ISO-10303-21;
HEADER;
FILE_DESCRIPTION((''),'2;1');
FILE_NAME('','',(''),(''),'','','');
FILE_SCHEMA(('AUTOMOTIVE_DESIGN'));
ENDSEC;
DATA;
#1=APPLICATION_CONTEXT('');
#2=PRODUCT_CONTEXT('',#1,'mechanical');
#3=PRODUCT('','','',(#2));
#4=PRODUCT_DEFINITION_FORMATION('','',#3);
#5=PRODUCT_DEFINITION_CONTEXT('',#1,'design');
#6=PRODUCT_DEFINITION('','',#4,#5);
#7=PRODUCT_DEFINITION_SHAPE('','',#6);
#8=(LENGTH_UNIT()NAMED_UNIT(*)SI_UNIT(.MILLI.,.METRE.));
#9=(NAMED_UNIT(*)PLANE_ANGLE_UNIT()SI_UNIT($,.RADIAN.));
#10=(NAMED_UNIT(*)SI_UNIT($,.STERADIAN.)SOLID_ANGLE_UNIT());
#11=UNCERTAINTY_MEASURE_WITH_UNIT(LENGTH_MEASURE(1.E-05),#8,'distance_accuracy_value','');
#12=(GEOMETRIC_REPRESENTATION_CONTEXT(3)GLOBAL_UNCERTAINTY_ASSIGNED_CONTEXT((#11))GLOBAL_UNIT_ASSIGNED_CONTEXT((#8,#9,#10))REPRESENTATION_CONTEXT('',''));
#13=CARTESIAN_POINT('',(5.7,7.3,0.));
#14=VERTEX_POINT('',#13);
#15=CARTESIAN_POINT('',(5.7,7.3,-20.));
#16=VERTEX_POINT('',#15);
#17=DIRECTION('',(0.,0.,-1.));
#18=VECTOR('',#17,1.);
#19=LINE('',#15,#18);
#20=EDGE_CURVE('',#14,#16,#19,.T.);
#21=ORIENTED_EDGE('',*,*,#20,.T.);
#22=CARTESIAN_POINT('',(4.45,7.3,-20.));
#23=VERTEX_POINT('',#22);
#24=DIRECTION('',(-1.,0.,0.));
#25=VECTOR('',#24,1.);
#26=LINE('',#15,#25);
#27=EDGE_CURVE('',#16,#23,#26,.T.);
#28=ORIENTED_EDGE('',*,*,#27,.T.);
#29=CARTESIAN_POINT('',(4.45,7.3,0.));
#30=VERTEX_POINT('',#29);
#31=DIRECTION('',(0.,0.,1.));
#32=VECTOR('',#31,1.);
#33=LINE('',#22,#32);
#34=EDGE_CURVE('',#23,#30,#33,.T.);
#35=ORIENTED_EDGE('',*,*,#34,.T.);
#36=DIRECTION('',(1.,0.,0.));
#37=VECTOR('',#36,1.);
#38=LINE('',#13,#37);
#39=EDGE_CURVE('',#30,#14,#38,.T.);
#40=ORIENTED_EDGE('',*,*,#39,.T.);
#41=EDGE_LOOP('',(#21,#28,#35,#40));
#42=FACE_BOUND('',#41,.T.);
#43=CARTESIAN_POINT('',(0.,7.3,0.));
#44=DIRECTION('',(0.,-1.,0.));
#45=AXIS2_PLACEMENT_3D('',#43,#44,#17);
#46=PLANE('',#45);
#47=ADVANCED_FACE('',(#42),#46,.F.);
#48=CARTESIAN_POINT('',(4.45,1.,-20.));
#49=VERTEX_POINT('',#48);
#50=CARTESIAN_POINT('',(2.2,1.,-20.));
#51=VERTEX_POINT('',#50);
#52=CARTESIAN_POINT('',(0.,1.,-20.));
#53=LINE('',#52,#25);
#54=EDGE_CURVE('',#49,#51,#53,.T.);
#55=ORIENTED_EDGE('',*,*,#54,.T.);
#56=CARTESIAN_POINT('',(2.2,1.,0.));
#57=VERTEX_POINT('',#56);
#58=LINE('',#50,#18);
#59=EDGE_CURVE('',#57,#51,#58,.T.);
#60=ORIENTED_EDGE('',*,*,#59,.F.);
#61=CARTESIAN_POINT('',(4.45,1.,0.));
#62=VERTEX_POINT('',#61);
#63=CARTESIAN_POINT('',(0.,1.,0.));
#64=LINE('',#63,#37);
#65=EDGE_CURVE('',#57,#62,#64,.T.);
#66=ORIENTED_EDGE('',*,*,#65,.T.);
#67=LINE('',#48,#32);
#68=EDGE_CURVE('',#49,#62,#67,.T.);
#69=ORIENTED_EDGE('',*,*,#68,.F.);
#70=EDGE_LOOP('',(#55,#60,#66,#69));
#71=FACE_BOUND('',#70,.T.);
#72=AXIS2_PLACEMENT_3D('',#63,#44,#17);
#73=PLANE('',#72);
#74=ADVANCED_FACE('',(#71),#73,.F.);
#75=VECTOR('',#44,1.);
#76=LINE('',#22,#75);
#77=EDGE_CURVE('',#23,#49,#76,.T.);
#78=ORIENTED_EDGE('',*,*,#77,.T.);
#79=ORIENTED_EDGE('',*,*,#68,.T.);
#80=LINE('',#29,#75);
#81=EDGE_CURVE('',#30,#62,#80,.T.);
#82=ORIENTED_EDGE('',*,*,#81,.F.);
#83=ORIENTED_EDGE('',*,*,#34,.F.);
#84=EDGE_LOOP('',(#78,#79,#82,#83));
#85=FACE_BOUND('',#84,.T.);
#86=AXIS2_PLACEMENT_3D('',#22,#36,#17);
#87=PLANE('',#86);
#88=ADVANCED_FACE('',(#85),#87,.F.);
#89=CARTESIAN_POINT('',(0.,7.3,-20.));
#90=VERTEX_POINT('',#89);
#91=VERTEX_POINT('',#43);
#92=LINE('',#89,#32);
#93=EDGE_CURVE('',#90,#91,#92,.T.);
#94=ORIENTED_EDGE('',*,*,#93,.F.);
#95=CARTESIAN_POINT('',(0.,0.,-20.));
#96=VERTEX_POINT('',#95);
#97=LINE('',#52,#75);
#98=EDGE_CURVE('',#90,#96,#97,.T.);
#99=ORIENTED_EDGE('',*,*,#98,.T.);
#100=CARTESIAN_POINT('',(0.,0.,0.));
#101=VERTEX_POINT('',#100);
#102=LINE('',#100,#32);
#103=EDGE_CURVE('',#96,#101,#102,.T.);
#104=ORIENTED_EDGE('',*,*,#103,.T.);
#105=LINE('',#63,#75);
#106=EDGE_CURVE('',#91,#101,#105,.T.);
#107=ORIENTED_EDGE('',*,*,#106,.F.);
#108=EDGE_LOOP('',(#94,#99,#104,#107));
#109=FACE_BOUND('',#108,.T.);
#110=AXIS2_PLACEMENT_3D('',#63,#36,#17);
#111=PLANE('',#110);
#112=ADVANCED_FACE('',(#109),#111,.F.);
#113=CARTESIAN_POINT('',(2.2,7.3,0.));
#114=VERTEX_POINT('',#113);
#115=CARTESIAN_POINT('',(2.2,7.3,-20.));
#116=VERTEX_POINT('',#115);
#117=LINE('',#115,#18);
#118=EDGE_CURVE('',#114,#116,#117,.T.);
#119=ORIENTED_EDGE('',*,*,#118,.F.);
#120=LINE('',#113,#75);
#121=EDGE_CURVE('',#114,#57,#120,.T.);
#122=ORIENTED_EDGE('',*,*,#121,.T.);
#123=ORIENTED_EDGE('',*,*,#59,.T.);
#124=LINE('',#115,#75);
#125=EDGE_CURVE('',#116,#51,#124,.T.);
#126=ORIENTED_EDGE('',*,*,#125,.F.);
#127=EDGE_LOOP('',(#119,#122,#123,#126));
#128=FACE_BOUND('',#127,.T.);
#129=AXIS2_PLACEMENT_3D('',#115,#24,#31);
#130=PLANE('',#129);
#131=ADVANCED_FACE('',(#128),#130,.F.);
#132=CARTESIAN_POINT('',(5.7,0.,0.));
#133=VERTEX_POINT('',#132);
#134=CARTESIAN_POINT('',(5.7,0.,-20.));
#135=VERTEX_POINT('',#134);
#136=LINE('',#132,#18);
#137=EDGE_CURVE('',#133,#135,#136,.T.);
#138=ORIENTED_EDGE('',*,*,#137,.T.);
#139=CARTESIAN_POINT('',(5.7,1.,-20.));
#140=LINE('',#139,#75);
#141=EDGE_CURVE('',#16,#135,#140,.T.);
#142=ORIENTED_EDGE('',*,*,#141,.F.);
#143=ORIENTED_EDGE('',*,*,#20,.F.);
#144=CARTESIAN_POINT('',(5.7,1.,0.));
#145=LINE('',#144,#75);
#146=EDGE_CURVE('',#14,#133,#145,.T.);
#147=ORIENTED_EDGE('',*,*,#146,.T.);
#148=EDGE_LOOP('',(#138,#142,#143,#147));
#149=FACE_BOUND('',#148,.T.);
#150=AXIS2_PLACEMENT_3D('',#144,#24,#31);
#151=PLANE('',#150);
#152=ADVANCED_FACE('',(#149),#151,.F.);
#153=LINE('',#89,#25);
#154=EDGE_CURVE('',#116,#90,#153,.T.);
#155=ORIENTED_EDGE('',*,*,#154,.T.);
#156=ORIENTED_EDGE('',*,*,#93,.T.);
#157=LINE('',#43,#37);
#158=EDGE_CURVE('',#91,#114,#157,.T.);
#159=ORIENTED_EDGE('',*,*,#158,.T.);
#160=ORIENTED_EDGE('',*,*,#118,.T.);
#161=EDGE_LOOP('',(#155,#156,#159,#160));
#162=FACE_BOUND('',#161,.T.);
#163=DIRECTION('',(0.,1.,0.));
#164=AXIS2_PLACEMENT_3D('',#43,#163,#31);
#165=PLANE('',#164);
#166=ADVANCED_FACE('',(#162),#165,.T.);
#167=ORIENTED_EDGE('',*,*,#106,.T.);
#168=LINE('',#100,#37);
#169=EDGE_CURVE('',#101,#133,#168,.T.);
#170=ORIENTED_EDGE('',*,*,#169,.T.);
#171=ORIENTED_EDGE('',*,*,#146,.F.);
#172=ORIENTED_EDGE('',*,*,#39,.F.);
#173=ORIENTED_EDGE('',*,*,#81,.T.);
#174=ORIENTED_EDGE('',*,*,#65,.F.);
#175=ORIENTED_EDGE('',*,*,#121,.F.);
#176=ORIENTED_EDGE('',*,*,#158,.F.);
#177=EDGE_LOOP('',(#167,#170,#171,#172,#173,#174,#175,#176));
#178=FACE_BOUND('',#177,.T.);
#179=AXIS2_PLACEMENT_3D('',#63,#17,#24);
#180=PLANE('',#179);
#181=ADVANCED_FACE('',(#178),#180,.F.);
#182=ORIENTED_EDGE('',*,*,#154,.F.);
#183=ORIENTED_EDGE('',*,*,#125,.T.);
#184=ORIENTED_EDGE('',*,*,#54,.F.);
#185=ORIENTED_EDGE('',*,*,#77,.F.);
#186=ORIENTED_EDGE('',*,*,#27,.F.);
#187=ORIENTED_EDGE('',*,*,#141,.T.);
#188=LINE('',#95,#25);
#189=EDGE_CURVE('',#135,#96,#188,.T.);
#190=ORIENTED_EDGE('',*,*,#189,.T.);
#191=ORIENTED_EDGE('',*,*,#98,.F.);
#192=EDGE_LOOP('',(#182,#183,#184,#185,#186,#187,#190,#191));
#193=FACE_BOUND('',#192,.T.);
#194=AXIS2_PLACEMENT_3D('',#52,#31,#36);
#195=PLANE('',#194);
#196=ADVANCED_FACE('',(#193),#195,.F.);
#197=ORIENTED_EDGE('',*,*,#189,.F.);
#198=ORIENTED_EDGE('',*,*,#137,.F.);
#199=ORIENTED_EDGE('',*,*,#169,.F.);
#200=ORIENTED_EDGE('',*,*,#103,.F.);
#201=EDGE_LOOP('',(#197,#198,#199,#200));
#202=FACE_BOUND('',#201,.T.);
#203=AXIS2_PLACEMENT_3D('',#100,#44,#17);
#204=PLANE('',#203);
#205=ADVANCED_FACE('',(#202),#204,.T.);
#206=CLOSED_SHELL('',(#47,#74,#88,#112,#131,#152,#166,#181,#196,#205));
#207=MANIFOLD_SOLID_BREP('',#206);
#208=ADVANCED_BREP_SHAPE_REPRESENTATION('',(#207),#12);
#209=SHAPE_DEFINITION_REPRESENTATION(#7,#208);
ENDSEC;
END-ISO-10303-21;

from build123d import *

# Parameters (mm, degrees)
SKETCH1_W           = 5.7
SKETCH1_H           = 20
BOSS_EXTRUDE1_DEPTH = 1
SKETCH2_W           = 2.2
SKETCH2_H           = 20
SKETCH2_W_2         = 1.25
BOSS_EXTRUDE2_DEPTH = 6.3


with BuildPart() as part:
    # Sketch1 → Boss-Extrude1 (new body)
    with BuildSketch(Plane(origin=(0, 0, 0), x_dir=(1, 0, 0), z_dir=(0, 1, 0))):
        with Locations((2.85, 10)):
            Rectangle(SKETCH1_W, SKETCH1_H)
    extrude(amount=BOSS_EXTRUDE1_DEPTH)

    # Sketch2 → Boss-Extrude2 (add)
    with BuildSketch(Plane(origin=(0, 1, 0), x_dir=(1, 0, 0), z_dir=(0, 1, 0))):
        with Locations((1.1, 10)):
            Rectangle(SKETCH2_W, SKETCH2_H)
        with Locations((5.075, 10)):
            Rectangle(SKETCH2_W_2, SKETCH2_H)
    extrude(amount=BOSS_EXTRUDE2_DEPTH)


solid = part.part
